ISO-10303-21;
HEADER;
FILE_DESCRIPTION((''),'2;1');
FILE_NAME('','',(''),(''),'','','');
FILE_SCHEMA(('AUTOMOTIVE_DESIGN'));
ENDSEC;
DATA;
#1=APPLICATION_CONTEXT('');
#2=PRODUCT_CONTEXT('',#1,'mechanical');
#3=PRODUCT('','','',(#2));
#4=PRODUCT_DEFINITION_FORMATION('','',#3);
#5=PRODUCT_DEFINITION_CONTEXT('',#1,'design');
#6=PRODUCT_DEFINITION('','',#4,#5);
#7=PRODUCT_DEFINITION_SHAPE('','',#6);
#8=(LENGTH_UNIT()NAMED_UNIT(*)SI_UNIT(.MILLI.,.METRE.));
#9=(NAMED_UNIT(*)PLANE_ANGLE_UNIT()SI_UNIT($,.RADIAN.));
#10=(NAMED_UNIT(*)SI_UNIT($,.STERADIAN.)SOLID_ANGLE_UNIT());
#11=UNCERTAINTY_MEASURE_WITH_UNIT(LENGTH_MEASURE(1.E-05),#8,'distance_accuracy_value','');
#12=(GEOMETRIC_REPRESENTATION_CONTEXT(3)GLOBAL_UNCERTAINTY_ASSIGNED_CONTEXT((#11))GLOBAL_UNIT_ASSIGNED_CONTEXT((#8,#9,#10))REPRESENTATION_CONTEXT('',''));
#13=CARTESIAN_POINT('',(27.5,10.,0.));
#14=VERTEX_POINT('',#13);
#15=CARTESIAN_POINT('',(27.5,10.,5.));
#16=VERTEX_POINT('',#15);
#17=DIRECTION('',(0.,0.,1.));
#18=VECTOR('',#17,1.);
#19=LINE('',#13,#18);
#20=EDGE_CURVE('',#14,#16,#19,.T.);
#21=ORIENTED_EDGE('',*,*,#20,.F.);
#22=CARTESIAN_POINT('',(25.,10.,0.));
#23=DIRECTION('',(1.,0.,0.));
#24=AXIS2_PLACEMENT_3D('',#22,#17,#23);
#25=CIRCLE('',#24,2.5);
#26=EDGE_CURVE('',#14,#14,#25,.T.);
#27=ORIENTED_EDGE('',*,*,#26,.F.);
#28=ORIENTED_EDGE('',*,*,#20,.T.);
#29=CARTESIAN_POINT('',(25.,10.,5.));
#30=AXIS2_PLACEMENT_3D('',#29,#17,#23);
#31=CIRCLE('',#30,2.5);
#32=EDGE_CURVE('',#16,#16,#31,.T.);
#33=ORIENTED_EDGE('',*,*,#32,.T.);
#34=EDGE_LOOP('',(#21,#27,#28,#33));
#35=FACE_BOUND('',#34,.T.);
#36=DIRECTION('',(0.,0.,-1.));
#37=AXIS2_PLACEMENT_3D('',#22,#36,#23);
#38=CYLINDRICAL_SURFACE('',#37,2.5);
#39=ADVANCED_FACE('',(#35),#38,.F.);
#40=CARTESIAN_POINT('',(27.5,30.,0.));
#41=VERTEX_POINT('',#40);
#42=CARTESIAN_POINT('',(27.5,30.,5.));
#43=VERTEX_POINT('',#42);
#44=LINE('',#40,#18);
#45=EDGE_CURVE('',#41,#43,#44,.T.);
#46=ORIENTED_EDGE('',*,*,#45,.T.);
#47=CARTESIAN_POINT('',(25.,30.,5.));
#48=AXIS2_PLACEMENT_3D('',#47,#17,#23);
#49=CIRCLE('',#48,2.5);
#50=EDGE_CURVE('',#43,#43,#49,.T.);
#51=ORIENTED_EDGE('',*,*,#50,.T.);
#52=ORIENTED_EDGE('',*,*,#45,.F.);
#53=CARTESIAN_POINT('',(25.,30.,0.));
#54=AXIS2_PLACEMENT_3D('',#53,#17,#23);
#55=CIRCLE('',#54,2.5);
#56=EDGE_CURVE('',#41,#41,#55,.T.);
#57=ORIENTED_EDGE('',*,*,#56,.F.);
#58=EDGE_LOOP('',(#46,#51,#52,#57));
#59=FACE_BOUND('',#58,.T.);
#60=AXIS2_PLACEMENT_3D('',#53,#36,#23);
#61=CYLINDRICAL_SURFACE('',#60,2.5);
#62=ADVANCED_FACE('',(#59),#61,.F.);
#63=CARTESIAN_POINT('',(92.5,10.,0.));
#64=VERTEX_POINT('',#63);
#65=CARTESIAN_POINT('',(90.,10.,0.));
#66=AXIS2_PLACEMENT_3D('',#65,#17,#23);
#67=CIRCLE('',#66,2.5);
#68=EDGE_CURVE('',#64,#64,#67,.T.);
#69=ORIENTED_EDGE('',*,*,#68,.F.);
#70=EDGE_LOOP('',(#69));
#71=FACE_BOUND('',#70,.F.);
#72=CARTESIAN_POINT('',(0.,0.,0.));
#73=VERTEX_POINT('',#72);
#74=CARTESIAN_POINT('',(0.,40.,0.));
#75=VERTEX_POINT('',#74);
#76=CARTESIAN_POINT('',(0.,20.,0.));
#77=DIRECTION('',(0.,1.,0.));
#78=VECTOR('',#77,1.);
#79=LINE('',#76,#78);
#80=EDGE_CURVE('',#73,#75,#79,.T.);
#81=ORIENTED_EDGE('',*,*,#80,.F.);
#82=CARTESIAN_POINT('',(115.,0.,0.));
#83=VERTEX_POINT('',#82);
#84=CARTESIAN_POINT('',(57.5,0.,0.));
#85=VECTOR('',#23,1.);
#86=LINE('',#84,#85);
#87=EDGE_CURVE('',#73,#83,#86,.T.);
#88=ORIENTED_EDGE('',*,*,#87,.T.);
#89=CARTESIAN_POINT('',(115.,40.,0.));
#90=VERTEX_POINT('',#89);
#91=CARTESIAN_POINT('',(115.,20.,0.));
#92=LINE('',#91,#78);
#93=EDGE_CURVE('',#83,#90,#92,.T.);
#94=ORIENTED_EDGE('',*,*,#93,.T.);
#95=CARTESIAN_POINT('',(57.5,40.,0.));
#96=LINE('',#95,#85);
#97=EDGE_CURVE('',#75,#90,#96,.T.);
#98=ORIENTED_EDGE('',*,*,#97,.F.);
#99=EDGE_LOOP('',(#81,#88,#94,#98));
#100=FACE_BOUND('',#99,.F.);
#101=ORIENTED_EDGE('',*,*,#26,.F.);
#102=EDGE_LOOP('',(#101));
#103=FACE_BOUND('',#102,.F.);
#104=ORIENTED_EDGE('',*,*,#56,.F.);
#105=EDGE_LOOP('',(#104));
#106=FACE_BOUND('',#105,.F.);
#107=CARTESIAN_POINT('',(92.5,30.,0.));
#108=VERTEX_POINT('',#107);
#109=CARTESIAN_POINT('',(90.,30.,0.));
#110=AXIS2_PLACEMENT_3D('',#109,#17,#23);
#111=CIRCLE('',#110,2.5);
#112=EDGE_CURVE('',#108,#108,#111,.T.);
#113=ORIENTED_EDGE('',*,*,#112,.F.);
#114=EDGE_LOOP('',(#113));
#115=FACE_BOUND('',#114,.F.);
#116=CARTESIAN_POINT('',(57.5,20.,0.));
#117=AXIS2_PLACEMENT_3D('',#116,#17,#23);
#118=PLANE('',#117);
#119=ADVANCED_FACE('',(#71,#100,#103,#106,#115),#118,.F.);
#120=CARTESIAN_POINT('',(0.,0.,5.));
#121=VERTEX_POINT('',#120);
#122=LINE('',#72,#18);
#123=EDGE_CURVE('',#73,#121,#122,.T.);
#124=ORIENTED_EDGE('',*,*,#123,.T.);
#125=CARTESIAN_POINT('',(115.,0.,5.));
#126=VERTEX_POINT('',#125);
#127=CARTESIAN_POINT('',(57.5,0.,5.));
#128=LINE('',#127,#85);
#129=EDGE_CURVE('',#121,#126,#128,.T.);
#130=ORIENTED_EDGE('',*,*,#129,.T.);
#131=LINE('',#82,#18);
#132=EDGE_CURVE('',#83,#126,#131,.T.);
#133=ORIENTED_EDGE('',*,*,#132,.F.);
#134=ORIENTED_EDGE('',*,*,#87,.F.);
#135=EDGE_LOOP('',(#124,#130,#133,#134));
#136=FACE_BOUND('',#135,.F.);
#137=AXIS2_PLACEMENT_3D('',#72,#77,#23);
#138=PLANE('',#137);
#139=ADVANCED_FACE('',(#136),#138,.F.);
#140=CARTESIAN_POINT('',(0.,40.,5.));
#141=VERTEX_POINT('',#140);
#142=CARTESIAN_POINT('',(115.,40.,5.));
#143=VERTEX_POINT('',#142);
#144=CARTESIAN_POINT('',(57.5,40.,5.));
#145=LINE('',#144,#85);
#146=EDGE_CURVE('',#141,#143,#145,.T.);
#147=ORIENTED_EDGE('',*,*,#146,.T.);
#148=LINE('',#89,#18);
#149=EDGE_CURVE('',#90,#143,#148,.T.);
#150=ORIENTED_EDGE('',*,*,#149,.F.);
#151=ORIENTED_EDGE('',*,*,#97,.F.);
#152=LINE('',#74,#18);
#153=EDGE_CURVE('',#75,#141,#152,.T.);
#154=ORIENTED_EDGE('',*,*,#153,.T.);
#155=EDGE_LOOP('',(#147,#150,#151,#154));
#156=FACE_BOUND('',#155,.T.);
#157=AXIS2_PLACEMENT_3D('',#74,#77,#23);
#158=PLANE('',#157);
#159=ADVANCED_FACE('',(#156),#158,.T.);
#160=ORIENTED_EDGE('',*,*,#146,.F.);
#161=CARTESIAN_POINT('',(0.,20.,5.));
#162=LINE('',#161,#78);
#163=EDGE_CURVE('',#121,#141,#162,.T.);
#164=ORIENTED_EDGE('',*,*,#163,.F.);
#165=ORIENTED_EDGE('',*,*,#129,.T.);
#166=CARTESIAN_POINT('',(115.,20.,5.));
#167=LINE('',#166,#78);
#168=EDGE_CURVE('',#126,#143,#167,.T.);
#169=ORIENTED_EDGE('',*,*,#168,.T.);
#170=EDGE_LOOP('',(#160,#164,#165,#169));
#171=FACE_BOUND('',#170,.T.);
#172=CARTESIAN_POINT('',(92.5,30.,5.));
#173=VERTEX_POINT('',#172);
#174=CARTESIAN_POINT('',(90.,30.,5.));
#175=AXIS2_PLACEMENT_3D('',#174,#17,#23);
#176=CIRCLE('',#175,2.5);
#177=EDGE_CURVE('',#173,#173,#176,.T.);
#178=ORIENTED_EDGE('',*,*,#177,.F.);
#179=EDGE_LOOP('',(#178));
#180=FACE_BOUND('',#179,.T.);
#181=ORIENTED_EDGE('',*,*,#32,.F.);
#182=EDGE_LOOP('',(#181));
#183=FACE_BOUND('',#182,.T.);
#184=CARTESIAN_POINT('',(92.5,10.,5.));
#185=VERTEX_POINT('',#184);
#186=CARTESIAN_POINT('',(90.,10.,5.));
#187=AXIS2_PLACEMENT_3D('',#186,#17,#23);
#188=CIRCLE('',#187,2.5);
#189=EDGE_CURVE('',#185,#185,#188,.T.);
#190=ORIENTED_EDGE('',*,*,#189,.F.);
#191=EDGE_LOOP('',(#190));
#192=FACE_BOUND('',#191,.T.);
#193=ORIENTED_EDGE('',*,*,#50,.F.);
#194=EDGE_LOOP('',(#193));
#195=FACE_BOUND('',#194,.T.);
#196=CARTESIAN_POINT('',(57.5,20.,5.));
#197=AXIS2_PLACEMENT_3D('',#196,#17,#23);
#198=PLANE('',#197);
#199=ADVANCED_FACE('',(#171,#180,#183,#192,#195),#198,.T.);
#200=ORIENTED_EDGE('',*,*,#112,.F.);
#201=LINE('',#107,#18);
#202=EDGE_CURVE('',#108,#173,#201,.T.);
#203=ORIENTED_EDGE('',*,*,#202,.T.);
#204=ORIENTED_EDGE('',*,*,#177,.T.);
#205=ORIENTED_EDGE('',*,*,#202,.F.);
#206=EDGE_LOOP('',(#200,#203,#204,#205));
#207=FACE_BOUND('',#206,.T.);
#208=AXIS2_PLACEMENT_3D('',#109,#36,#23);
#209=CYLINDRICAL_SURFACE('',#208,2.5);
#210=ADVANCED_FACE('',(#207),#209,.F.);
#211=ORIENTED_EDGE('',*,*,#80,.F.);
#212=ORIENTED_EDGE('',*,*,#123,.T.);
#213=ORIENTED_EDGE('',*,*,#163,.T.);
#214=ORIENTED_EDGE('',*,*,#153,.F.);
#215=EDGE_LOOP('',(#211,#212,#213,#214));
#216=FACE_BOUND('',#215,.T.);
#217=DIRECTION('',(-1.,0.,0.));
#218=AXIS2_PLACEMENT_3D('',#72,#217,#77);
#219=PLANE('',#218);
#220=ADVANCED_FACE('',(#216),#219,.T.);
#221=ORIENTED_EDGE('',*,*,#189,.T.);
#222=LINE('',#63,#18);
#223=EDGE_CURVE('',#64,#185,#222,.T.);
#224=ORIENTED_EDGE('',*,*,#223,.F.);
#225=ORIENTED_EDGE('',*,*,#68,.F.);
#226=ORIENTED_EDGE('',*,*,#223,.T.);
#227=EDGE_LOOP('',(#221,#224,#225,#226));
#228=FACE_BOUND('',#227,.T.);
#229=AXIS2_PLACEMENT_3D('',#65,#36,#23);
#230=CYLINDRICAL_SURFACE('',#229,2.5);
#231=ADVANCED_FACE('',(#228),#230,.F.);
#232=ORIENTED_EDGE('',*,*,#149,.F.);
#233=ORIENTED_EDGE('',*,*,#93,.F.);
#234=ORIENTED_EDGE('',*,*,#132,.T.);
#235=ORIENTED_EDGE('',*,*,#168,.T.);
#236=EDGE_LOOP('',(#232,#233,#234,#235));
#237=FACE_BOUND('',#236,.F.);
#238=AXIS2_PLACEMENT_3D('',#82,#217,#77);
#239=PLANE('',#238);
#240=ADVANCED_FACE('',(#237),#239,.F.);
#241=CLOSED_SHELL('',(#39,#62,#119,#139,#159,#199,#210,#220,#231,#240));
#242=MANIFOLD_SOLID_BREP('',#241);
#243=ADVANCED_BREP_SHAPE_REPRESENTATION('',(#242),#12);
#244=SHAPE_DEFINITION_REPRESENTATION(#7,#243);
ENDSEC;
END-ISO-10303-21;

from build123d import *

# Parameters (mm, degrees)
SKETCH1_W           = 115
SKETCH1_H           = 40
SKETCH1_R           = 2.5
BOSS_EXTRUDE1_DEPTH = 5


with BuildPart() as part:
    # Sketch1 → Boss-Extrude1 (new body)
    with BuildSketch(Plane.XY):
        with Locations((57.5, 20)):
            Rectangle(SKETCH1_W, SKETCH1_H)
        with Locations((25, 30)):
            Circle(SKETCH1_R, mode=Mode.SUBTRACT)
        with Locations((25, 10)):
            Circle(SKETCH1_R, mode=Mode.SUBTRACT)
        with Locations((90, 10)):
            Circle(SKETCH1_R, mode=Mode.SUBTRACT)
        with Locations((90, 30)):
            Circle(SKETCH1_R, mode=Mode.SUBTRACT)
    extrude(amount=BOSS_EXTRUDE1_DEPTH)


solid = part.part
